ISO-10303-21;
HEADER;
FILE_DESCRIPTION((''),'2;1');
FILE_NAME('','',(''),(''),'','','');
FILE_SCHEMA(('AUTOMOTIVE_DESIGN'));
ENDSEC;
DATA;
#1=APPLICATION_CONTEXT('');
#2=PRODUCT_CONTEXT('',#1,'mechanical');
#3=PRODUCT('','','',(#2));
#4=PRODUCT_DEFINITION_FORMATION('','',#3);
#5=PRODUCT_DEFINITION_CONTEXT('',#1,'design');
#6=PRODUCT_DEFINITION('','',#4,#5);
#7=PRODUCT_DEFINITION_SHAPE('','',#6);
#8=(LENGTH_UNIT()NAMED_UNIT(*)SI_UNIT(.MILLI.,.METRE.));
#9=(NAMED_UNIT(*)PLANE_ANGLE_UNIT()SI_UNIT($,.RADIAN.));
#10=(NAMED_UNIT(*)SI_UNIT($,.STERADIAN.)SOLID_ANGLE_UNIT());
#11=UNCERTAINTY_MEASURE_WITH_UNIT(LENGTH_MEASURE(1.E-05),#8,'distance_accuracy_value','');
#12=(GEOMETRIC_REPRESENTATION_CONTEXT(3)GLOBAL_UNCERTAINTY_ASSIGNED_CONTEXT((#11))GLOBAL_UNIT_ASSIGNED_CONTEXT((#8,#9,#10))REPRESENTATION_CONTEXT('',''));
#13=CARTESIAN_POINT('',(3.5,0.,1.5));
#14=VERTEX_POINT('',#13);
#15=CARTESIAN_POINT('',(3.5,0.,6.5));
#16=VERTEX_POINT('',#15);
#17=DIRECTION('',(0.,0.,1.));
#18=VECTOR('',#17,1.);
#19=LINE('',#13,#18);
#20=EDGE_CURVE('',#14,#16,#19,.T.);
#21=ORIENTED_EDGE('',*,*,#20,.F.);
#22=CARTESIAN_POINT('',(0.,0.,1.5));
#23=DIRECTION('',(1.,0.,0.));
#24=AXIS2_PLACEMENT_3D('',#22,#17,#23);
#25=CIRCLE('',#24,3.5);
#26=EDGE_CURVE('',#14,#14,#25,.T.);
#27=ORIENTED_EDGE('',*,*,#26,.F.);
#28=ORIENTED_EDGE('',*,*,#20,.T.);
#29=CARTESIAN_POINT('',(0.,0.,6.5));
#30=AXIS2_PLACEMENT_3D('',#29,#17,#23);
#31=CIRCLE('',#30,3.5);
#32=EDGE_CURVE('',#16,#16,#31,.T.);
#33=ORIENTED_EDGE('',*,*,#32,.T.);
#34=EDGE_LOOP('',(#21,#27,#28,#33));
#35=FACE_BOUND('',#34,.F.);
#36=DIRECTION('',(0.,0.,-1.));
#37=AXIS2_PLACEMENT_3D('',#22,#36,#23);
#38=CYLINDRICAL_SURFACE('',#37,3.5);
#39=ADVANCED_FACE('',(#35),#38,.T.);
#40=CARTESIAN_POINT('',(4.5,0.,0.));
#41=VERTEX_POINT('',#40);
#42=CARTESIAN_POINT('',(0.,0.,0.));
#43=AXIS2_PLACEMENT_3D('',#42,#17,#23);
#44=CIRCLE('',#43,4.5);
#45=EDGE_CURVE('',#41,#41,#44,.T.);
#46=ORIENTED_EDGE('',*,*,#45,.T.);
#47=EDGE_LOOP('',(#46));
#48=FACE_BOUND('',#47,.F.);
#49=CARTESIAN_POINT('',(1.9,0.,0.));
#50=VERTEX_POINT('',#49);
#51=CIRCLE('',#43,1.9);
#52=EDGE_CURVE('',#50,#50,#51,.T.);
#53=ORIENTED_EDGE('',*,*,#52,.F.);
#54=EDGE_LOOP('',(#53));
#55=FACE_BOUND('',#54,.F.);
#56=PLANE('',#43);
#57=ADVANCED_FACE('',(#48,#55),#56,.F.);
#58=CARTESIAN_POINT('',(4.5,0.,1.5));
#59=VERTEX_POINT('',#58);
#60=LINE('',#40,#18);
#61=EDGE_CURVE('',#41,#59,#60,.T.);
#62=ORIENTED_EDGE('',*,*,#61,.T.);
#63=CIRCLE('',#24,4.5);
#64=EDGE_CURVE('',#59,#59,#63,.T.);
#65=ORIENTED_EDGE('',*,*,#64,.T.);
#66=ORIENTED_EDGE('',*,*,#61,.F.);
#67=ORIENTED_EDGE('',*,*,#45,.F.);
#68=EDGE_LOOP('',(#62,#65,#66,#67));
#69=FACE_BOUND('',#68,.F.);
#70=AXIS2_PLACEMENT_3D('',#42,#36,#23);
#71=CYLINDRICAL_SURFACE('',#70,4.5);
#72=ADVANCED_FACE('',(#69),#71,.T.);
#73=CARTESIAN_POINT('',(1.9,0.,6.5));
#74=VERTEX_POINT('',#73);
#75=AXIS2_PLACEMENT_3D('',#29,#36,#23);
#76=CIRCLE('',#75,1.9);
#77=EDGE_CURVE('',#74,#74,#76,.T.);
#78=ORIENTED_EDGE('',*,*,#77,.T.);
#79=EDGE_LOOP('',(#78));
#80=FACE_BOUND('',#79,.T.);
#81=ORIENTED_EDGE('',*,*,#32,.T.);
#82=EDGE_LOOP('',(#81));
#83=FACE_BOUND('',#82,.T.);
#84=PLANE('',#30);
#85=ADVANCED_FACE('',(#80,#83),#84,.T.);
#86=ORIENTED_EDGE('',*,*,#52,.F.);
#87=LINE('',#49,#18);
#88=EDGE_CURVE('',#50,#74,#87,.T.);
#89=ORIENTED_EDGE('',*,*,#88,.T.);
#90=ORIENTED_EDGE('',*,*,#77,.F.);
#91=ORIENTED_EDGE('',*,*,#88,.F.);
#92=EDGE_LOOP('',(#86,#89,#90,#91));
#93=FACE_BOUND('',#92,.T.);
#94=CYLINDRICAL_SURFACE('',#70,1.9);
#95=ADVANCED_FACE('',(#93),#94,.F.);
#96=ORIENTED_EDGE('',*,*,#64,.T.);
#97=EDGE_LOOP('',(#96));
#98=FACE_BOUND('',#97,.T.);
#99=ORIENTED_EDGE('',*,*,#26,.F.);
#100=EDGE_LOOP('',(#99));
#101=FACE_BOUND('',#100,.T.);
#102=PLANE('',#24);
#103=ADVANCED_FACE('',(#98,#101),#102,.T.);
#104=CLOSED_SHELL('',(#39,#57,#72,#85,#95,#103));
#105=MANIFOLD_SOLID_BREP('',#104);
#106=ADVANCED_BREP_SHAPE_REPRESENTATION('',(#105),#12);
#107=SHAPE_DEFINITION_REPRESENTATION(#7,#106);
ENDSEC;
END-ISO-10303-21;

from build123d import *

# Parameters (mm, degrees)
F0_R     = 4.5
F1_DEPTH = 1.5
F2_R     = 3.5
F3_DEPTH = 5
F4_R     = 1.9
F5_DEPTH = 25


with BuildPart() as f1:
    # F0 (on Top) → F1 (new body)
    with BuildSketch(Plane.XY):
        Circle(F0_R)
    extrude(amount=F1_DEPTH)

    # F2 (on face) → F3 (join)
    with BuildSketch(Plane.XY.offset(1.5)):
        Circle(F2_R)
    extrude(amount=F3_DEPTH)

    # F4 (on Top) → F5 (cut)
    with BuildSketch(Plane.XY):
        Circle(F4_R)
    extrude(amount=F5_DEPTH, mode=Mode.SUBTRACT)


solid = f1.part
